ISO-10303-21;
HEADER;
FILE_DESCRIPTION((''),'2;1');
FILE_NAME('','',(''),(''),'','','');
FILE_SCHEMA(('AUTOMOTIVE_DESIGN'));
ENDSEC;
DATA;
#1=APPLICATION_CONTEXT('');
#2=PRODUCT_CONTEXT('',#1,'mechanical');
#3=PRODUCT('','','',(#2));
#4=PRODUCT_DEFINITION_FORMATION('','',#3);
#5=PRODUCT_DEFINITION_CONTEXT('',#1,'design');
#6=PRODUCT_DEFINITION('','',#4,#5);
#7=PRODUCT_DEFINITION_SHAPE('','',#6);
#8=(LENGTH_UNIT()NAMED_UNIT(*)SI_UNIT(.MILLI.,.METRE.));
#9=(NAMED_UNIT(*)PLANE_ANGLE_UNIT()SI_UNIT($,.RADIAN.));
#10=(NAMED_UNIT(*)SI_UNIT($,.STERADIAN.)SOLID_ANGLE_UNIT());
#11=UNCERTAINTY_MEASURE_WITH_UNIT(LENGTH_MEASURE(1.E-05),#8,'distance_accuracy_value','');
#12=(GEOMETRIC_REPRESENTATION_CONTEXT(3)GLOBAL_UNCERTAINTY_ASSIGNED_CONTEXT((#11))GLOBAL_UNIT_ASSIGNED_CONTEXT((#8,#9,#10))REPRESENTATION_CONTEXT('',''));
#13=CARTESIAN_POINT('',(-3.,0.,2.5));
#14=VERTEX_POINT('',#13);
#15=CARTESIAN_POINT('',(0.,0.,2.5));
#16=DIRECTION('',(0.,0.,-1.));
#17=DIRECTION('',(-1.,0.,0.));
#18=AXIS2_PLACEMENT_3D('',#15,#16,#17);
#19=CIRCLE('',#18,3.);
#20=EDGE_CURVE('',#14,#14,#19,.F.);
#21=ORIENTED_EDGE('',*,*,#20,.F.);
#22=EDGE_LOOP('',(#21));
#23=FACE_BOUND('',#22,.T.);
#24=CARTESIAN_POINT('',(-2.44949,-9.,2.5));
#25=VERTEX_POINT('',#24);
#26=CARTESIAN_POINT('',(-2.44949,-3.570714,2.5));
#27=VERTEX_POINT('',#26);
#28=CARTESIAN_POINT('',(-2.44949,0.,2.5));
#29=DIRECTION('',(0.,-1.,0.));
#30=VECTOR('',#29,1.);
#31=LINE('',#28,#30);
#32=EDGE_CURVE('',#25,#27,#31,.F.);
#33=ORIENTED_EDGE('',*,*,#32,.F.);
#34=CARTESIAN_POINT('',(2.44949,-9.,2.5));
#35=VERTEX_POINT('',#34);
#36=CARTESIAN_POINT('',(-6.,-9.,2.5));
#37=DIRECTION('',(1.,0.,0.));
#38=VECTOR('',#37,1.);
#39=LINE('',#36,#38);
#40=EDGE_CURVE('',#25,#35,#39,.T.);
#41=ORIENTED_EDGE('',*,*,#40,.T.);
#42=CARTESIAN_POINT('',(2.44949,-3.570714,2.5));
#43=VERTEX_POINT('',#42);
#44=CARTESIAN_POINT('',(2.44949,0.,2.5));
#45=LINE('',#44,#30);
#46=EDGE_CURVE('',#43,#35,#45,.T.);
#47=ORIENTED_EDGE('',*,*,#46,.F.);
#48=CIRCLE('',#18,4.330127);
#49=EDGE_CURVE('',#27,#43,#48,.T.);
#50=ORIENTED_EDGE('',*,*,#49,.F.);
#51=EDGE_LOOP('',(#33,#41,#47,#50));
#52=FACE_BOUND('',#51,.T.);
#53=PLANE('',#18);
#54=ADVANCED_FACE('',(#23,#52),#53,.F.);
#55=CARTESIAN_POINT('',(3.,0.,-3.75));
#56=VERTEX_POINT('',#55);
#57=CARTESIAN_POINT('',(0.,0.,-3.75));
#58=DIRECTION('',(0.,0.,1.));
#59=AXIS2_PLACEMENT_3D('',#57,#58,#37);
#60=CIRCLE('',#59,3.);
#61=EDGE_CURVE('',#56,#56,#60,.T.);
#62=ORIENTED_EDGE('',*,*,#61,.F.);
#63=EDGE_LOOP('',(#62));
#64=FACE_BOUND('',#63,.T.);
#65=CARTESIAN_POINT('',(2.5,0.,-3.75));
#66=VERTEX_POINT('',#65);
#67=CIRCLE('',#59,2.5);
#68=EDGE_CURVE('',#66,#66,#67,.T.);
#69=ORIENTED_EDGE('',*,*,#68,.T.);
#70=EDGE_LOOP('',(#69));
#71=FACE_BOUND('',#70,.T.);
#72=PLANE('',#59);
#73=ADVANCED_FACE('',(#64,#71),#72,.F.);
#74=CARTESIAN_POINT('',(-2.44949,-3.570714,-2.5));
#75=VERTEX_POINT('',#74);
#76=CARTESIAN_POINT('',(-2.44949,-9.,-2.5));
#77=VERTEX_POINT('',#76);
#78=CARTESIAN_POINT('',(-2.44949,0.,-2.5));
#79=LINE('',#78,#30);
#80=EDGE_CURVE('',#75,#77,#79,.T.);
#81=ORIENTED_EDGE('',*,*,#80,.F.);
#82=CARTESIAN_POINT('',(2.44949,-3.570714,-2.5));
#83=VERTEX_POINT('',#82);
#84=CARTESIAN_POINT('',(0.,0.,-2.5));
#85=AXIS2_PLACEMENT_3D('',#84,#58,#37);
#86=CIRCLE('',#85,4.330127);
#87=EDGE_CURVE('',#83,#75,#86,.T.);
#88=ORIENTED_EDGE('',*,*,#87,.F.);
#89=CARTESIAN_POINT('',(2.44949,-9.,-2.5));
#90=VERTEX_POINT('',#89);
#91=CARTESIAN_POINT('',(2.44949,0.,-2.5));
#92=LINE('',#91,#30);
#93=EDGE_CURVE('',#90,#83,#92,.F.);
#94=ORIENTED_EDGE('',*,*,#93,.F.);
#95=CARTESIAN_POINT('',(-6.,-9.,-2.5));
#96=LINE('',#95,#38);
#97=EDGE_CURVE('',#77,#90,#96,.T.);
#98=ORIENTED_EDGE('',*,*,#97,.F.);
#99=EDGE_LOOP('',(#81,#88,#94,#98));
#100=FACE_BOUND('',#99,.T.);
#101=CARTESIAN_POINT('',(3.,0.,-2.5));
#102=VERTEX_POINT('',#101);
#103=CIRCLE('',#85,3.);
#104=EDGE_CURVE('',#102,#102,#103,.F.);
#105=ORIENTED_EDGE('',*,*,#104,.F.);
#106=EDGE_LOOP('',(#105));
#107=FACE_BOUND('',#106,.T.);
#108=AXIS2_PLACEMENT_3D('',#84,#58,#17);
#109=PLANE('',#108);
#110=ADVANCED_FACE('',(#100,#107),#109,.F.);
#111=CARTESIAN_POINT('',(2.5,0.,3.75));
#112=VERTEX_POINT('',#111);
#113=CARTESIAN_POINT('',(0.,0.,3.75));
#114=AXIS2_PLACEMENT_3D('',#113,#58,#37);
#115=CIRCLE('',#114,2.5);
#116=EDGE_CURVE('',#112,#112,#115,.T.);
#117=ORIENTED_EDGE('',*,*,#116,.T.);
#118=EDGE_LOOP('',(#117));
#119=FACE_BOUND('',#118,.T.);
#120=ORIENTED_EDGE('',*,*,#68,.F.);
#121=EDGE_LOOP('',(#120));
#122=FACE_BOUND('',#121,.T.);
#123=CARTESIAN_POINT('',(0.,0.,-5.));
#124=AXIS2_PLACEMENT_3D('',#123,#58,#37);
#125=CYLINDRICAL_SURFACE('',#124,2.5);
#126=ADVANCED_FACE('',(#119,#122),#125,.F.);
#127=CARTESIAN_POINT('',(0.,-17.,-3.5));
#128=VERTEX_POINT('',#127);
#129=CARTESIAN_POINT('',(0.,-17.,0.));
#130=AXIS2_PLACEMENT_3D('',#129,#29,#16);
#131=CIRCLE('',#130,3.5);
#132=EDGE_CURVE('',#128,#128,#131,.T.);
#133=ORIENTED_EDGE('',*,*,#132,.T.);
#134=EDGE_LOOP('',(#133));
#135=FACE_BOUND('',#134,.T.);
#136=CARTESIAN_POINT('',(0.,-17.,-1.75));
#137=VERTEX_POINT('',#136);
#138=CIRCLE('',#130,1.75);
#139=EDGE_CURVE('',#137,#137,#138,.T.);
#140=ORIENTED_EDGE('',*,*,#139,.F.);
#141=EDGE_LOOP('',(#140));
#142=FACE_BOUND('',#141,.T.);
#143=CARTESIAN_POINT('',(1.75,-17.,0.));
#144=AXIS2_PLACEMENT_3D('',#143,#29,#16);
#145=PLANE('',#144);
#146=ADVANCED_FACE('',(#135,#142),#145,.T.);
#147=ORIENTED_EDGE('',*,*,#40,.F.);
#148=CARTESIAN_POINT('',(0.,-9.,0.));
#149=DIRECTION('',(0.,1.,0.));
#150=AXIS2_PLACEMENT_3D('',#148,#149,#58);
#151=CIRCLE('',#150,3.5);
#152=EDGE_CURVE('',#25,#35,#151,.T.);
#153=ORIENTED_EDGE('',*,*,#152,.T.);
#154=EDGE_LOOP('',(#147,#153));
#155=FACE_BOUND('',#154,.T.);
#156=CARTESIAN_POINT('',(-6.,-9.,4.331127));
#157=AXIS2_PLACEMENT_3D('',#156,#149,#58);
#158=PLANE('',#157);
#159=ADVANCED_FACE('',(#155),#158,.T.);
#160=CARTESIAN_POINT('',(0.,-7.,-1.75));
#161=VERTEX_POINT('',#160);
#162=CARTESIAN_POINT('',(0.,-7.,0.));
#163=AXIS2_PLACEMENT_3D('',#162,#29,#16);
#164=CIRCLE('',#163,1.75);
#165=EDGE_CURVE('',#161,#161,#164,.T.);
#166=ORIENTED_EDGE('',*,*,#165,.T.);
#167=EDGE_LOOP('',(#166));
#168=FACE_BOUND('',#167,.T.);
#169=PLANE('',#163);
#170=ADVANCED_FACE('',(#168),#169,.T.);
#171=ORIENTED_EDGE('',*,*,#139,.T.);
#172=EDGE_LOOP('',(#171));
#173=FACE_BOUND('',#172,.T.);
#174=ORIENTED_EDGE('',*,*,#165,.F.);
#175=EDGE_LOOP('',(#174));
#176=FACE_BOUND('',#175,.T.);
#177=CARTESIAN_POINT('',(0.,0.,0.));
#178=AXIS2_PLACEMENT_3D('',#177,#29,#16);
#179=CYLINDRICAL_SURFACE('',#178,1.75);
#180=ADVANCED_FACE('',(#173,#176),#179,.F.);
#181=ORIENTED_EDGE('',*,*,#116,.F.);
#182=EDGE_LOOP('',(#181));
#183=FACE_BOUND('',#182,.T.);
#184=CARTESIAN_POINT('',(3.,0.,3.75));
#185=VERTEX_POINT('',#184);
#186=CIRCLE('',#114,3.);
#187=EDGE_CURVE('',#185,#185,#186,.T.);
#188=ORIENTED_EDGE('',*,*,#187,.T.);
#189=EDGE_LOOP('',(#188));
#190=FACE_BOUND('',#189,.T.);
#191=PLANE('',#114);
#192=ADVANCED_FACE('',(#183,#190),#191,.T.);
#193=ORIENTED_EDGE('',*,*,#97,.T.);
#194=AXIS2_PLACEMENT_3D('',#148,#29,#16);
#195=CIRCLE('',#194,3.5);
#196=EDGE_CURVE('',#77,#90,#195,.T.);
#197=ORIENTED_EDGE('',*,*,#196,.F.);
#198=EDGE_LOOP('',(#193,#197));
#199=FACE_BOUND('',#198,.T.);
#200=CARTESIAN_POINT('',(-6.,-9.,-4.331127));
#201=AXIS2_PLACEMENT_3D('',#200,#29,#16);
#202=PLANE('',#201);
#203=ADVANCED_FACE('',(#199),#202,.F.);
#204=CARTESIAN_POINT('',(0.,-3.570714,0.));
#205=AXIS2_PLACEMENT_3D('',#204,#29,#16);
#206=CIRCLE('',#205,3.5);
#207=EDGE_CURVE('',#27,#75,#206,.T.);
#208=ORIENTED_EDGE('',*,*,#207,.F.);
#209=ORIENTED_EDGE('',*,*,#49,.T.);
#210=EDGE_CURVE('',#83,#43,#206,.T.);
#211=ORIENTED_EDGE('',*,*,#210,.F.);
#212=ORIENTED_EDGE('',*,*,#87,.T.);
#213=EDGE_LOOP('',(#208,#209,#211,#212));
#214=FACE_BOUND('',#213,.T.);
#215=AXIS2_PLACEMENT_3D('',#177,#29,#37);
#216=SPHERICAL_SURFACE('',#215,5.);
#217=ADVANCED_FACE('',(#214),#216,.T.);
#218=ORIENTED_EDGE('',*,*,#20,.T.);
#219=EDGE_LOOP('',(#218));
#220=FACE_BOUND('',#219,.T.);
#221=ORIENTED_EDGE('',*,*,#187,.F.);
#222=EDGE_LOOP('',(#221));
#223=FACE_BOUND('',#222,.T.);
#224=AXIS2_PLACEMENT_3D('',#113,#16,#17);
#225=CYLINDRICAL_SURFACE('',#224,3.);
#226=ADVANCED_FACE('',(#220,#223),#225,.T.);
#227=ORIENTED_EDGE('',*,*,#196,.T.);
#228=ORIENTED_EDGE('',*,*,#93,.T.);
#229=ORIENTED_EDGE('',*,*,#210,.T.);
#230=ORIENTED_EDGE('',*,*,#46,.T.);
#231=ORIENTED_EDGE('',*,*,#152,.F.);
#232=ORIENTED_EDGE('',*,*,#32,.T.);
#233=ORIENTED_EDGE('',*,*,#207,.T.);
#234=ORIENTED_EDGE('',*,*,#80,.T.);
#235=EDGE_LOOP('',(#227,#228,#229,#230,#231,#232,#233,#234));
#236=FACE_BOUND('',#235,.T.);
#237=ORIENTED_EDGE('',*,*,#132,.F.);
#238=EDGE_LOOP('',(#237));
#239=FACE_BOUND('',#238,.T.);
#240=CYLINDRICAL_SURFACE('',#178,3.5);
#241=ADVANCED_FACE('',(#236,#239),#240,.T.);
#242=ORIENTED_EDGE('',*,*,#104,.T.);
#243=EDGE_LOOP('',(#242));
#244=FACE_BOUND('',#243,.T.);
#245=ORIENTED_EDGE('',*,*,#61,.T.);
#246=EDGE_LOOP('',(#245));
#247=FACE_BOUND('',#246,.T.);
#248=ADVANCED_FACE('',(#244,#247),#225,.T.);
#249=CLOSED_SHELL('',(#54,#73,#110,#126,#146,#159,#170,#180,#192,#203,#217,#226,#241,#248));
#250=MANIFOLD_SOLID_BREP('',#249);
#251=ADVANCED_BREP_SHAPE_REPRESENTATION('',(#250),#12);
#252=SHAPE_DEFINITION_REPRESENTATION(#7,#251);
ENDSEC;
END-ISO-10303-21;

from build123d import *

# Parameters (mm, degrees)
SKETCH2_R               = 2.5
CUT_EXTRUDE1_DEPTH      = 6
CUT_EXTRUDE1_DEPTH_BACK = 6
SKETCH4_W               = 12
SKETCH4_H               = 18
CUT_EXTRUDE2_DEPTH      = 1.830127
SKETCH3_R               = 3
SKETCH3_R_2             = 2.5
EXTRUDE_THIN1_DEPTH     = 3.75


with BuildPart() as part:
    # Sketch1 → Revolve1 (revolve)
    with BuildSketch(Plane.XY):
        with BuildLine():
            Line((0, 0), (0, -7))
            Line((0, -7), (1.75, -7))
            Line((1.75, -7), (1.75, -17))
            Line((1.75, -17), (3.5, -17))
            Line((3.5, -17), (3.5, -3.570714214))
            ThreePointArc((3.5, -3.570714214), (4.628907596, 1.890294809), (0, 5))
            Line((0, 5), (0, 0))
        make_face()
    revolve(axis=Axis((0, 0, 0), (0, 1, 0)))

    # Sketch2 → Cut-Extrude1 (cut, two sides)
    with BuildSketch(Plane.XY) as cut_extrude1_sk:
        Circle(SKETCH2_R)
    extrude(amount=CUT_EXTRUDE1_DEPTH, mode=Mode.SUBTRACT)
    extrude(cut_extrude1_sk.sketch, amount=-CUT_EXTRUDE1_DEPTH_BACK, mode=Mode.SUBTRACT)

    # Sketch4 → Cut-Extrude2 (cut)
    with BuildSketch(Plane.XY.offset(2.5)):
        Rectangle(SKETCH4_W, SKETCH4_H)
    cut_extrude2 = extrude(amount=CUT_EXTRUDE2_DEPTH, mode=Mode.SUBTRACT)

    # Mirror1: Cut-Extrude2 across plane
    add(cut_extrude2.mirror(Plane.XY), mode=Mode.SUBTRACT)

    # Sketch3 → Extrude-Thin1 (add, symmetric)
    with BuildSketch(Plane.XY):
        Circle(SKETCH3_R)
        Circle(SKETCH3_R_2, mode=Mode.SUBTRACT)
    extrude(amount=EXTRUDE_THIN1_DEPTH, both=True)


solid = part.part
